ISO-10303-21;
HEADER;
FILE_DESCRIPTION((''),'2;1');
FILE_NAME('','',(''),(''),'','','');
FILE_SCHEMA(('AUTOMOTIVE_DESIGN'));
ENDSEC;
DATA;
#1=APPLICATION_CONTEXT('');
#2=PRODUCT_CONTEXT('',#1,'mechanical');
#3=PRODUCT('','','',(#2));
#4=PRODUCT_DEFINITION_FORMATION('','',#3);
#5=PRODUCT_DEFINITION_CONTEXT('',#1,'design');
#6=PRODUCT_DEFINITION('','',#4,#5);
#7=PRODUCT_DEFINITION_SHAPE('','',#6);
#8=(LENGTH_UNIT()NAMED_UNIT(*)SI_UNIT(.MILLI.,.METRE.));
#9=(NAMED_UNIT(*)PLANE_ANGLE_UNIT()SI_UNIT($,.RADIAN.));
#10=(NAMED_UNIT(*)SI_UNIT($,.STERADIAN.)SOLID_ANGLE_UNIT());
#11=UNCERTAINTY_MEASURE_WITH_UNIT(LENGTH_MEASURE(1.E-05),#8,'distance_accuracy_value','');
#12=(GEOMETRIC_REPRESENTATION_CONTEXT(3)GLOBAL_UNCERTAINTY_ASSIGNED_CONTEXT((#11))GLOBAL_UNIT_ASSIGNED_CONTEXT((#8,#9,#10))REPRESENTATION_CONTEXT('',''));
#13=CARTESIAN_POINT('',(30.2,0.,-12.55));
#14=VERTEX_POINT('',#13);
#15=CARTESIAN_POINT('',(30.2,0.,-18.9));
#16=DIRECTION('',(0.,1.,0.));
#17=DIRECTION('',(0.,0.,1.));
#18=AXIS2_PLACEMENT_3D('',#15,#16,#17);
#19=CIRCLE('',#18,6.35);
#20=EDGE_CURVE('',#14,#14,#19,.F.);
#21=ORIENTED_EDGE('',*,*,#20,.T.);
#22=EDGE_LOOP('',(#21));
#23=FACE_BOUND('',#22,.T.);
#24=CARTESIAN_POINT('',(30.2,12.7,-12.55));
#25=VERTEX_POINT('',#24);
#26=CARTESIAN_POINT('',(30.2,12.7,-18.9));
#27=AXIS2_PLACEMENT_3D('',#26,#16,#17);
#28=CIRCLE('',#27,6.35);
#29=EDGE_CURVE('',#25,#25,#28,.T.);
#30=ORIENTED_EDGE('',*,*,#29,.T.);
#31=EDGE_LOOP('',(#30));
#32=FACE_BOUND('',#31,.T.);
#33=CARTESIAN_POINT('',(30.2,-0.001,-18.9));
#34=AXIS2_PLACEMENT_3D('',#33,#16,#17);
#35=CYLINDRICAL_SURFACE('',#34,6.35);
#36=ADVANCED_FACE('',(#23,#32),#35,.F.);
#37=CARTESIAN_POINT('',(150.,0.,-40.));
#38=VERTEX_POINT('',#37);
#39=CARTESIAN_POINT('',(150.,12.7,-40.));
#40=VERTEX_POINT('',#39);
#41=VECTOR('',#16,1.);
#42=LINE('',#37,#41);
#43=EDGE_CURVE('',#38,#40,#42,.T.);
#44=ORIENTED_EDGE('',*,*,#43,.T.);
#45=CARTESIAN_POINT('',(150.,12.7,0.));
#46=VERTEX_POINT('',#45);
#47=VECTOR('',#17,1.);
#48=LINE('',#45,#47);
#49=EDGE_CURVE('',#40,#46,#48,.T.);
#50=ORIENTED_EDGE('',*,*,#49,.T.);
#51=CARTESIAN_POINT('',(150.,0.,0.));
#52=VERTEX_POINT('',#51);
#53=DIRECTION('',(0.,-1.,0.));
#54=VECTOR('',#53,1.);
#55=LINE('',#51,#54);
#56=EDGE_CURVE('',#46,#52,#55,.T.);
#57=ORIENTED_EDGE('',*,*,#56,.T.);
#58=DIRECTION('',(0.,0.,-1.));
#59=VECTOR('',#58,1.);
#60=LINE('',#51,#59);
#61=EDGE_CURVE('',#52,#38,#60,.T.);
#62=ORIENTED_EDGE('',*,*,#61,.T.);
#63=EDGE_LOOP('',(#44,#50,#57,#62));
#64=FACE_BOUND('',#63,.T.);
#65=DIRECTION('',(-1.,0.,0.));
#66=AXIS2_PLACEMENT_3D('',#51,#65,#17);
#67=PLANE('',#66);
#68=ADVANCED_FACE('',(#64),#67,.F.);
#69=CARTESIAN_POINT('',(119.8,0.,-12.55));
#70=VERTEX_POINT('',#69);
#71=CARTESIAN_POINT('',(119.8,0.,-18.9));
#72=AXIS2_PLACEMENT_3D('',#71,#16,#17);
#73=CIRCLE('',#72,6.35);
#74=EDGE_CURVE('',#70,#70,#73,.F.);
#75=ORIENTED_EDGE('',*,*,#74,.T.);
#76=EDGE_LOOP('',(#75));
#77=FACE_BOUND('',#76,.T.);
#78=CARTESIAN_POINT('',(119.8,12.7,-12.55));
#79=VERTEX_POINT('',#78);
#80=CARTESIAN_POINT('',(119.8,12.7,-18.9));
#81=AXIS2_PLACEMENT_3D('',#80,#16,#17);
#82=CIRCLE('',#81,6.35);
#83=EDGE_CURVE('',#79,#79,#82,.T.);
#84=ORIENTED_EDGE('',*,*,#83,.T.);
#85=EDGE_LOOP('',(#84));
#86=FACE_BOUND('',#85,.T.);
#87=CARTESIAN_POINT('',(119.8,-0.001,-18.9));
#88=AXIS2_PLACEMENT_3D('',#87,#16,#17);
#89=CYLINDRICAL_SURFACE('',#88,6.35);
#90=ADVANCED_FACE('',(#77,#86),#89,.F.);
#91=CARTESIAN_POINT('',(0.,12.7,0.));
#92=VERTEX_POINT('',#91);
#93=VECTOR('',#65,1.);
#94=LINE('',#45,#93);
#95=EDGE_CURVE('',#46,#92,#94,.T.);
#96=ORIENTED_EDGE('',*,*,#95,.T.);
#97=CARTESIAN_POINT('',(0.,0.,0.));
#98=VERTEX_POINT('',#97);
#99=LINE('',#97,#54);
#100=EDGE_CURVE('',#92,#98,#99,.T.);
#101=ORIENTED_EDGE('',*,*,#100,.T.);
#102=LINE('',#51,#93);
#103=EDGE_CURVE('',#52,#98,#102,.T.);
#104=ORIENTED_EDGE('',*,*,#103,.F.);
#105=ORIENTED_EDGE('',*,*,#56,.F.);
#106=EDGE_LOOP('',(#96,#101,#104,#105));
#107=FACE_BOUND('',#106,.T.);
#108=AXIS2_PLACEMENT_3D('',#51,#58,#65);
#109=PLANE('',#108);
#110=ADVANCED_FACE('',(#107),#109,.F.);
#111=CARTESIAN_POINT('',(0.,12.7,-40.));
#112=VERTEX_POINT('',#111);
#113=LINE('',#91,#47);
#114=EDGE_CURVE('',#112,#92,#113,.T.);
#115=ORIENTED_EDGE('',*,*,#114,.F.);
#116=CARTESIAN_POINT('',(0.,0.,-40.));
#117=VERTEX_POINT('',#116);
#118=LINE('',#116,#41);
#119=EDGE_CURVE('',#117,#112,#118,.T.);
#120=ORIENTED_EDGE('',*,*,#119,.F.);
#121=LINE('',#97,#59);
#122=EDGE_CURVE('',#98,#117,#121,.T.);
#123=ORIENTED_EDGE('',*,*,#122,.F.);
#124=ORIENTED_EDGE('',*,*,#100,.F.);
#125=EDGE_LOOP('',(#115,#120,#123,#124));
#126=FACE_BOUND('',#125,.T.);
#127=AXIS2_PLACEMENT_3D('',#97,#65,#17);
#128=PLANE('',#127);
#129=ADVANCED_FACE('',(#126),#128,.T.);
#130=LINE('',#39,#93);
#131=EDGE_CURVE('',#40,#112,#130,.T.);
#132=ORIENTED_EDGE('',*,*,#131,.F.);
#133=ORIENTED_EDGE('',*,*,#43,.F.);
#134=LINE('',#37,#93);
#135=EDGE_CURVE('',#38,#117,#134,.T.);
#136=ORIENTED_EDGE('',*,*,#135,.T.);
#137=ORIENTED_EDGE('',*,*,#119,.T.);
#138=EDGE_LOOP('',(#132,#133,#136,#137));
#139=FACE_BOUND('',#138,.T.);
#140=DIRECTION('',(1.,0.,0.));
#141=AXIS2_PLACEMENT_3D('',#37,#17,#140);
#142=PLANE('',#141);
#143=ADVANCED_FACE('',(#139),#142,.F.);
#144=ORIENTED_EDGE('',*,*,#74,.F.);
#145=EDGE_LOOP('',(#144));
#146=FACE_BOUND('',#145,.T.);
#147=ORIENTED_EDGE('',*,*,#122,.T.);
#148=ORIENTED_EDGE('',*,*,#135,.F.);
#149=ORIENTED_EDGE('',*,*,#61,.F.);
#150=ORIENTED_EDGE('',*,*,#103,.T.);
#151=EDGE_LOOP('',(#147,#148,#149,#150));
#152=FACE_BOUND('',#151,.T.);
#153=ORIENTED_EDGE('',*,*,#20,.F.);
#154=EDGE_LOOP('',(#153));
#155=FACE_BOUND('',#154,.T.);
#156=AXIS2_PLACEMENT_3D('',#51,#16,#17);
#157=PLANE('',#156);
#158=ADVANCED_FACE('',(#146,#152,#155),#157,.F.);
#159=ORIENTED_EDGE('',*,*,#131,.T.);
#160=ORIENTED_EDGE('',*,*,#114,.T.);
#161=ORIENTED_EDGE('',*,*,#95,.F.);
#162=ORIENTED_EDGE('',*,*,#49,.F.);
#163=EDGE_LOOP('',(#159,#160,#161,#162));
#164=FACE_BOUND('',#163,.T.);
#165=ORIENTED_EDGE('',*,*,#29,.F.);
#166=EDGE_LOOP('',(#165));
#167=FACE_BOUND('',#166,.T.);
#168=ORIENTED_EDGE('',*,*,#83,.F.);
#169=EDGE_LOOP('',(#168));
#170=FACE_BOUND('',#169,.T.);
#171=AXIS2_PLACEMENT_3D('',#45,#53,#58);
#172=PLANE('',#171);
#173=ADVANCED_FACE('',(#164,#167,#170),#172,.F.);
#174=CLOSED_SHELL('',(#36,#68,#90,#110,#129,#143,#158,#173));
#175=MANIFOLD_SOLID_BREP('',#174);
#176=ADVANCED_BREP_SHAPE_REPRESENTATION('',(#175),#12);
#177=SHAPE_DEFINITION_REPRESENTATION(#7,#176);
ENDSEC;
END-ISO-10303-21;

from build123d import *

# Parameters (mm, degrees)
SKETCH1_W           = 40
SKETCH1_H           = 12.7
BOSS_EXTRUDE1_DEPTH = 150
CUT_EXTRUDE1_REACH  = 14.7
SKETCH2_R           = 6.35


with BuildPart() as part:
    # Sketch1 → Boss-Extrude1 (new body)
    with BuildSketch(Plane(origin=(0, 0, 0), x_dir=(0, 0, -1), z_dir=(1, 0, 0))):
        with Locations((20, 6.35)):
            Rectangle(SKETCH1_W, SKETCH1_H)
    extrude(amount=BOSS_EXTRUDE1_DEPTH)

    # Sketch2 → Cut-Extrude1 (cut, up to next)
    with BuildSketch(Plane(origin=(0, 12.7, 0), x_dir=(1, 0, 0), z_dir=(0, 1, 0)), mode=Mode.PRIVATE) as cut_extrude1_sk1:
        with Locations((30.2, 18.9)):
            Circle(SKETCH2_R)
    cut_extrude1_tool1 = extrude(cut_extrude1_sk1.sketch, amount=-CUT_EXTRUDE1_REACH, mode=Mode.PRIVATE) & part.part
    add(cut_extrude1_tool1.solids().sort_by_distance((30.2, 12.7, -18.9))[0], mode=Mode.SUBTRACT)
    # Sketch2 → Cut-Extrude1 (cut, up to next)
    with BuildSketch(Plane(origin=(0, 12.7, 0), x_dir=(1, 0, 0), z_dir=(0, 1, 0)), mode=Mode.PRIVATE) as cut_extrude1_sk2:
        with Locations((119.8, 18.9)):
            Circle(SKETCH2_R)
    cut_extrude1_tool2 = extrude(cut_extrude1_sk2.sketch, amount=-CUT_EXTRUDE1_REACH, mode=Mode.PRIVATE) & part.part
    add(cut_extrude1_tool2.solids().sort_by_distance((119.8, 12.7, -18.9))[0], mode=Mode.SUBTRACT)


solid = part.part
